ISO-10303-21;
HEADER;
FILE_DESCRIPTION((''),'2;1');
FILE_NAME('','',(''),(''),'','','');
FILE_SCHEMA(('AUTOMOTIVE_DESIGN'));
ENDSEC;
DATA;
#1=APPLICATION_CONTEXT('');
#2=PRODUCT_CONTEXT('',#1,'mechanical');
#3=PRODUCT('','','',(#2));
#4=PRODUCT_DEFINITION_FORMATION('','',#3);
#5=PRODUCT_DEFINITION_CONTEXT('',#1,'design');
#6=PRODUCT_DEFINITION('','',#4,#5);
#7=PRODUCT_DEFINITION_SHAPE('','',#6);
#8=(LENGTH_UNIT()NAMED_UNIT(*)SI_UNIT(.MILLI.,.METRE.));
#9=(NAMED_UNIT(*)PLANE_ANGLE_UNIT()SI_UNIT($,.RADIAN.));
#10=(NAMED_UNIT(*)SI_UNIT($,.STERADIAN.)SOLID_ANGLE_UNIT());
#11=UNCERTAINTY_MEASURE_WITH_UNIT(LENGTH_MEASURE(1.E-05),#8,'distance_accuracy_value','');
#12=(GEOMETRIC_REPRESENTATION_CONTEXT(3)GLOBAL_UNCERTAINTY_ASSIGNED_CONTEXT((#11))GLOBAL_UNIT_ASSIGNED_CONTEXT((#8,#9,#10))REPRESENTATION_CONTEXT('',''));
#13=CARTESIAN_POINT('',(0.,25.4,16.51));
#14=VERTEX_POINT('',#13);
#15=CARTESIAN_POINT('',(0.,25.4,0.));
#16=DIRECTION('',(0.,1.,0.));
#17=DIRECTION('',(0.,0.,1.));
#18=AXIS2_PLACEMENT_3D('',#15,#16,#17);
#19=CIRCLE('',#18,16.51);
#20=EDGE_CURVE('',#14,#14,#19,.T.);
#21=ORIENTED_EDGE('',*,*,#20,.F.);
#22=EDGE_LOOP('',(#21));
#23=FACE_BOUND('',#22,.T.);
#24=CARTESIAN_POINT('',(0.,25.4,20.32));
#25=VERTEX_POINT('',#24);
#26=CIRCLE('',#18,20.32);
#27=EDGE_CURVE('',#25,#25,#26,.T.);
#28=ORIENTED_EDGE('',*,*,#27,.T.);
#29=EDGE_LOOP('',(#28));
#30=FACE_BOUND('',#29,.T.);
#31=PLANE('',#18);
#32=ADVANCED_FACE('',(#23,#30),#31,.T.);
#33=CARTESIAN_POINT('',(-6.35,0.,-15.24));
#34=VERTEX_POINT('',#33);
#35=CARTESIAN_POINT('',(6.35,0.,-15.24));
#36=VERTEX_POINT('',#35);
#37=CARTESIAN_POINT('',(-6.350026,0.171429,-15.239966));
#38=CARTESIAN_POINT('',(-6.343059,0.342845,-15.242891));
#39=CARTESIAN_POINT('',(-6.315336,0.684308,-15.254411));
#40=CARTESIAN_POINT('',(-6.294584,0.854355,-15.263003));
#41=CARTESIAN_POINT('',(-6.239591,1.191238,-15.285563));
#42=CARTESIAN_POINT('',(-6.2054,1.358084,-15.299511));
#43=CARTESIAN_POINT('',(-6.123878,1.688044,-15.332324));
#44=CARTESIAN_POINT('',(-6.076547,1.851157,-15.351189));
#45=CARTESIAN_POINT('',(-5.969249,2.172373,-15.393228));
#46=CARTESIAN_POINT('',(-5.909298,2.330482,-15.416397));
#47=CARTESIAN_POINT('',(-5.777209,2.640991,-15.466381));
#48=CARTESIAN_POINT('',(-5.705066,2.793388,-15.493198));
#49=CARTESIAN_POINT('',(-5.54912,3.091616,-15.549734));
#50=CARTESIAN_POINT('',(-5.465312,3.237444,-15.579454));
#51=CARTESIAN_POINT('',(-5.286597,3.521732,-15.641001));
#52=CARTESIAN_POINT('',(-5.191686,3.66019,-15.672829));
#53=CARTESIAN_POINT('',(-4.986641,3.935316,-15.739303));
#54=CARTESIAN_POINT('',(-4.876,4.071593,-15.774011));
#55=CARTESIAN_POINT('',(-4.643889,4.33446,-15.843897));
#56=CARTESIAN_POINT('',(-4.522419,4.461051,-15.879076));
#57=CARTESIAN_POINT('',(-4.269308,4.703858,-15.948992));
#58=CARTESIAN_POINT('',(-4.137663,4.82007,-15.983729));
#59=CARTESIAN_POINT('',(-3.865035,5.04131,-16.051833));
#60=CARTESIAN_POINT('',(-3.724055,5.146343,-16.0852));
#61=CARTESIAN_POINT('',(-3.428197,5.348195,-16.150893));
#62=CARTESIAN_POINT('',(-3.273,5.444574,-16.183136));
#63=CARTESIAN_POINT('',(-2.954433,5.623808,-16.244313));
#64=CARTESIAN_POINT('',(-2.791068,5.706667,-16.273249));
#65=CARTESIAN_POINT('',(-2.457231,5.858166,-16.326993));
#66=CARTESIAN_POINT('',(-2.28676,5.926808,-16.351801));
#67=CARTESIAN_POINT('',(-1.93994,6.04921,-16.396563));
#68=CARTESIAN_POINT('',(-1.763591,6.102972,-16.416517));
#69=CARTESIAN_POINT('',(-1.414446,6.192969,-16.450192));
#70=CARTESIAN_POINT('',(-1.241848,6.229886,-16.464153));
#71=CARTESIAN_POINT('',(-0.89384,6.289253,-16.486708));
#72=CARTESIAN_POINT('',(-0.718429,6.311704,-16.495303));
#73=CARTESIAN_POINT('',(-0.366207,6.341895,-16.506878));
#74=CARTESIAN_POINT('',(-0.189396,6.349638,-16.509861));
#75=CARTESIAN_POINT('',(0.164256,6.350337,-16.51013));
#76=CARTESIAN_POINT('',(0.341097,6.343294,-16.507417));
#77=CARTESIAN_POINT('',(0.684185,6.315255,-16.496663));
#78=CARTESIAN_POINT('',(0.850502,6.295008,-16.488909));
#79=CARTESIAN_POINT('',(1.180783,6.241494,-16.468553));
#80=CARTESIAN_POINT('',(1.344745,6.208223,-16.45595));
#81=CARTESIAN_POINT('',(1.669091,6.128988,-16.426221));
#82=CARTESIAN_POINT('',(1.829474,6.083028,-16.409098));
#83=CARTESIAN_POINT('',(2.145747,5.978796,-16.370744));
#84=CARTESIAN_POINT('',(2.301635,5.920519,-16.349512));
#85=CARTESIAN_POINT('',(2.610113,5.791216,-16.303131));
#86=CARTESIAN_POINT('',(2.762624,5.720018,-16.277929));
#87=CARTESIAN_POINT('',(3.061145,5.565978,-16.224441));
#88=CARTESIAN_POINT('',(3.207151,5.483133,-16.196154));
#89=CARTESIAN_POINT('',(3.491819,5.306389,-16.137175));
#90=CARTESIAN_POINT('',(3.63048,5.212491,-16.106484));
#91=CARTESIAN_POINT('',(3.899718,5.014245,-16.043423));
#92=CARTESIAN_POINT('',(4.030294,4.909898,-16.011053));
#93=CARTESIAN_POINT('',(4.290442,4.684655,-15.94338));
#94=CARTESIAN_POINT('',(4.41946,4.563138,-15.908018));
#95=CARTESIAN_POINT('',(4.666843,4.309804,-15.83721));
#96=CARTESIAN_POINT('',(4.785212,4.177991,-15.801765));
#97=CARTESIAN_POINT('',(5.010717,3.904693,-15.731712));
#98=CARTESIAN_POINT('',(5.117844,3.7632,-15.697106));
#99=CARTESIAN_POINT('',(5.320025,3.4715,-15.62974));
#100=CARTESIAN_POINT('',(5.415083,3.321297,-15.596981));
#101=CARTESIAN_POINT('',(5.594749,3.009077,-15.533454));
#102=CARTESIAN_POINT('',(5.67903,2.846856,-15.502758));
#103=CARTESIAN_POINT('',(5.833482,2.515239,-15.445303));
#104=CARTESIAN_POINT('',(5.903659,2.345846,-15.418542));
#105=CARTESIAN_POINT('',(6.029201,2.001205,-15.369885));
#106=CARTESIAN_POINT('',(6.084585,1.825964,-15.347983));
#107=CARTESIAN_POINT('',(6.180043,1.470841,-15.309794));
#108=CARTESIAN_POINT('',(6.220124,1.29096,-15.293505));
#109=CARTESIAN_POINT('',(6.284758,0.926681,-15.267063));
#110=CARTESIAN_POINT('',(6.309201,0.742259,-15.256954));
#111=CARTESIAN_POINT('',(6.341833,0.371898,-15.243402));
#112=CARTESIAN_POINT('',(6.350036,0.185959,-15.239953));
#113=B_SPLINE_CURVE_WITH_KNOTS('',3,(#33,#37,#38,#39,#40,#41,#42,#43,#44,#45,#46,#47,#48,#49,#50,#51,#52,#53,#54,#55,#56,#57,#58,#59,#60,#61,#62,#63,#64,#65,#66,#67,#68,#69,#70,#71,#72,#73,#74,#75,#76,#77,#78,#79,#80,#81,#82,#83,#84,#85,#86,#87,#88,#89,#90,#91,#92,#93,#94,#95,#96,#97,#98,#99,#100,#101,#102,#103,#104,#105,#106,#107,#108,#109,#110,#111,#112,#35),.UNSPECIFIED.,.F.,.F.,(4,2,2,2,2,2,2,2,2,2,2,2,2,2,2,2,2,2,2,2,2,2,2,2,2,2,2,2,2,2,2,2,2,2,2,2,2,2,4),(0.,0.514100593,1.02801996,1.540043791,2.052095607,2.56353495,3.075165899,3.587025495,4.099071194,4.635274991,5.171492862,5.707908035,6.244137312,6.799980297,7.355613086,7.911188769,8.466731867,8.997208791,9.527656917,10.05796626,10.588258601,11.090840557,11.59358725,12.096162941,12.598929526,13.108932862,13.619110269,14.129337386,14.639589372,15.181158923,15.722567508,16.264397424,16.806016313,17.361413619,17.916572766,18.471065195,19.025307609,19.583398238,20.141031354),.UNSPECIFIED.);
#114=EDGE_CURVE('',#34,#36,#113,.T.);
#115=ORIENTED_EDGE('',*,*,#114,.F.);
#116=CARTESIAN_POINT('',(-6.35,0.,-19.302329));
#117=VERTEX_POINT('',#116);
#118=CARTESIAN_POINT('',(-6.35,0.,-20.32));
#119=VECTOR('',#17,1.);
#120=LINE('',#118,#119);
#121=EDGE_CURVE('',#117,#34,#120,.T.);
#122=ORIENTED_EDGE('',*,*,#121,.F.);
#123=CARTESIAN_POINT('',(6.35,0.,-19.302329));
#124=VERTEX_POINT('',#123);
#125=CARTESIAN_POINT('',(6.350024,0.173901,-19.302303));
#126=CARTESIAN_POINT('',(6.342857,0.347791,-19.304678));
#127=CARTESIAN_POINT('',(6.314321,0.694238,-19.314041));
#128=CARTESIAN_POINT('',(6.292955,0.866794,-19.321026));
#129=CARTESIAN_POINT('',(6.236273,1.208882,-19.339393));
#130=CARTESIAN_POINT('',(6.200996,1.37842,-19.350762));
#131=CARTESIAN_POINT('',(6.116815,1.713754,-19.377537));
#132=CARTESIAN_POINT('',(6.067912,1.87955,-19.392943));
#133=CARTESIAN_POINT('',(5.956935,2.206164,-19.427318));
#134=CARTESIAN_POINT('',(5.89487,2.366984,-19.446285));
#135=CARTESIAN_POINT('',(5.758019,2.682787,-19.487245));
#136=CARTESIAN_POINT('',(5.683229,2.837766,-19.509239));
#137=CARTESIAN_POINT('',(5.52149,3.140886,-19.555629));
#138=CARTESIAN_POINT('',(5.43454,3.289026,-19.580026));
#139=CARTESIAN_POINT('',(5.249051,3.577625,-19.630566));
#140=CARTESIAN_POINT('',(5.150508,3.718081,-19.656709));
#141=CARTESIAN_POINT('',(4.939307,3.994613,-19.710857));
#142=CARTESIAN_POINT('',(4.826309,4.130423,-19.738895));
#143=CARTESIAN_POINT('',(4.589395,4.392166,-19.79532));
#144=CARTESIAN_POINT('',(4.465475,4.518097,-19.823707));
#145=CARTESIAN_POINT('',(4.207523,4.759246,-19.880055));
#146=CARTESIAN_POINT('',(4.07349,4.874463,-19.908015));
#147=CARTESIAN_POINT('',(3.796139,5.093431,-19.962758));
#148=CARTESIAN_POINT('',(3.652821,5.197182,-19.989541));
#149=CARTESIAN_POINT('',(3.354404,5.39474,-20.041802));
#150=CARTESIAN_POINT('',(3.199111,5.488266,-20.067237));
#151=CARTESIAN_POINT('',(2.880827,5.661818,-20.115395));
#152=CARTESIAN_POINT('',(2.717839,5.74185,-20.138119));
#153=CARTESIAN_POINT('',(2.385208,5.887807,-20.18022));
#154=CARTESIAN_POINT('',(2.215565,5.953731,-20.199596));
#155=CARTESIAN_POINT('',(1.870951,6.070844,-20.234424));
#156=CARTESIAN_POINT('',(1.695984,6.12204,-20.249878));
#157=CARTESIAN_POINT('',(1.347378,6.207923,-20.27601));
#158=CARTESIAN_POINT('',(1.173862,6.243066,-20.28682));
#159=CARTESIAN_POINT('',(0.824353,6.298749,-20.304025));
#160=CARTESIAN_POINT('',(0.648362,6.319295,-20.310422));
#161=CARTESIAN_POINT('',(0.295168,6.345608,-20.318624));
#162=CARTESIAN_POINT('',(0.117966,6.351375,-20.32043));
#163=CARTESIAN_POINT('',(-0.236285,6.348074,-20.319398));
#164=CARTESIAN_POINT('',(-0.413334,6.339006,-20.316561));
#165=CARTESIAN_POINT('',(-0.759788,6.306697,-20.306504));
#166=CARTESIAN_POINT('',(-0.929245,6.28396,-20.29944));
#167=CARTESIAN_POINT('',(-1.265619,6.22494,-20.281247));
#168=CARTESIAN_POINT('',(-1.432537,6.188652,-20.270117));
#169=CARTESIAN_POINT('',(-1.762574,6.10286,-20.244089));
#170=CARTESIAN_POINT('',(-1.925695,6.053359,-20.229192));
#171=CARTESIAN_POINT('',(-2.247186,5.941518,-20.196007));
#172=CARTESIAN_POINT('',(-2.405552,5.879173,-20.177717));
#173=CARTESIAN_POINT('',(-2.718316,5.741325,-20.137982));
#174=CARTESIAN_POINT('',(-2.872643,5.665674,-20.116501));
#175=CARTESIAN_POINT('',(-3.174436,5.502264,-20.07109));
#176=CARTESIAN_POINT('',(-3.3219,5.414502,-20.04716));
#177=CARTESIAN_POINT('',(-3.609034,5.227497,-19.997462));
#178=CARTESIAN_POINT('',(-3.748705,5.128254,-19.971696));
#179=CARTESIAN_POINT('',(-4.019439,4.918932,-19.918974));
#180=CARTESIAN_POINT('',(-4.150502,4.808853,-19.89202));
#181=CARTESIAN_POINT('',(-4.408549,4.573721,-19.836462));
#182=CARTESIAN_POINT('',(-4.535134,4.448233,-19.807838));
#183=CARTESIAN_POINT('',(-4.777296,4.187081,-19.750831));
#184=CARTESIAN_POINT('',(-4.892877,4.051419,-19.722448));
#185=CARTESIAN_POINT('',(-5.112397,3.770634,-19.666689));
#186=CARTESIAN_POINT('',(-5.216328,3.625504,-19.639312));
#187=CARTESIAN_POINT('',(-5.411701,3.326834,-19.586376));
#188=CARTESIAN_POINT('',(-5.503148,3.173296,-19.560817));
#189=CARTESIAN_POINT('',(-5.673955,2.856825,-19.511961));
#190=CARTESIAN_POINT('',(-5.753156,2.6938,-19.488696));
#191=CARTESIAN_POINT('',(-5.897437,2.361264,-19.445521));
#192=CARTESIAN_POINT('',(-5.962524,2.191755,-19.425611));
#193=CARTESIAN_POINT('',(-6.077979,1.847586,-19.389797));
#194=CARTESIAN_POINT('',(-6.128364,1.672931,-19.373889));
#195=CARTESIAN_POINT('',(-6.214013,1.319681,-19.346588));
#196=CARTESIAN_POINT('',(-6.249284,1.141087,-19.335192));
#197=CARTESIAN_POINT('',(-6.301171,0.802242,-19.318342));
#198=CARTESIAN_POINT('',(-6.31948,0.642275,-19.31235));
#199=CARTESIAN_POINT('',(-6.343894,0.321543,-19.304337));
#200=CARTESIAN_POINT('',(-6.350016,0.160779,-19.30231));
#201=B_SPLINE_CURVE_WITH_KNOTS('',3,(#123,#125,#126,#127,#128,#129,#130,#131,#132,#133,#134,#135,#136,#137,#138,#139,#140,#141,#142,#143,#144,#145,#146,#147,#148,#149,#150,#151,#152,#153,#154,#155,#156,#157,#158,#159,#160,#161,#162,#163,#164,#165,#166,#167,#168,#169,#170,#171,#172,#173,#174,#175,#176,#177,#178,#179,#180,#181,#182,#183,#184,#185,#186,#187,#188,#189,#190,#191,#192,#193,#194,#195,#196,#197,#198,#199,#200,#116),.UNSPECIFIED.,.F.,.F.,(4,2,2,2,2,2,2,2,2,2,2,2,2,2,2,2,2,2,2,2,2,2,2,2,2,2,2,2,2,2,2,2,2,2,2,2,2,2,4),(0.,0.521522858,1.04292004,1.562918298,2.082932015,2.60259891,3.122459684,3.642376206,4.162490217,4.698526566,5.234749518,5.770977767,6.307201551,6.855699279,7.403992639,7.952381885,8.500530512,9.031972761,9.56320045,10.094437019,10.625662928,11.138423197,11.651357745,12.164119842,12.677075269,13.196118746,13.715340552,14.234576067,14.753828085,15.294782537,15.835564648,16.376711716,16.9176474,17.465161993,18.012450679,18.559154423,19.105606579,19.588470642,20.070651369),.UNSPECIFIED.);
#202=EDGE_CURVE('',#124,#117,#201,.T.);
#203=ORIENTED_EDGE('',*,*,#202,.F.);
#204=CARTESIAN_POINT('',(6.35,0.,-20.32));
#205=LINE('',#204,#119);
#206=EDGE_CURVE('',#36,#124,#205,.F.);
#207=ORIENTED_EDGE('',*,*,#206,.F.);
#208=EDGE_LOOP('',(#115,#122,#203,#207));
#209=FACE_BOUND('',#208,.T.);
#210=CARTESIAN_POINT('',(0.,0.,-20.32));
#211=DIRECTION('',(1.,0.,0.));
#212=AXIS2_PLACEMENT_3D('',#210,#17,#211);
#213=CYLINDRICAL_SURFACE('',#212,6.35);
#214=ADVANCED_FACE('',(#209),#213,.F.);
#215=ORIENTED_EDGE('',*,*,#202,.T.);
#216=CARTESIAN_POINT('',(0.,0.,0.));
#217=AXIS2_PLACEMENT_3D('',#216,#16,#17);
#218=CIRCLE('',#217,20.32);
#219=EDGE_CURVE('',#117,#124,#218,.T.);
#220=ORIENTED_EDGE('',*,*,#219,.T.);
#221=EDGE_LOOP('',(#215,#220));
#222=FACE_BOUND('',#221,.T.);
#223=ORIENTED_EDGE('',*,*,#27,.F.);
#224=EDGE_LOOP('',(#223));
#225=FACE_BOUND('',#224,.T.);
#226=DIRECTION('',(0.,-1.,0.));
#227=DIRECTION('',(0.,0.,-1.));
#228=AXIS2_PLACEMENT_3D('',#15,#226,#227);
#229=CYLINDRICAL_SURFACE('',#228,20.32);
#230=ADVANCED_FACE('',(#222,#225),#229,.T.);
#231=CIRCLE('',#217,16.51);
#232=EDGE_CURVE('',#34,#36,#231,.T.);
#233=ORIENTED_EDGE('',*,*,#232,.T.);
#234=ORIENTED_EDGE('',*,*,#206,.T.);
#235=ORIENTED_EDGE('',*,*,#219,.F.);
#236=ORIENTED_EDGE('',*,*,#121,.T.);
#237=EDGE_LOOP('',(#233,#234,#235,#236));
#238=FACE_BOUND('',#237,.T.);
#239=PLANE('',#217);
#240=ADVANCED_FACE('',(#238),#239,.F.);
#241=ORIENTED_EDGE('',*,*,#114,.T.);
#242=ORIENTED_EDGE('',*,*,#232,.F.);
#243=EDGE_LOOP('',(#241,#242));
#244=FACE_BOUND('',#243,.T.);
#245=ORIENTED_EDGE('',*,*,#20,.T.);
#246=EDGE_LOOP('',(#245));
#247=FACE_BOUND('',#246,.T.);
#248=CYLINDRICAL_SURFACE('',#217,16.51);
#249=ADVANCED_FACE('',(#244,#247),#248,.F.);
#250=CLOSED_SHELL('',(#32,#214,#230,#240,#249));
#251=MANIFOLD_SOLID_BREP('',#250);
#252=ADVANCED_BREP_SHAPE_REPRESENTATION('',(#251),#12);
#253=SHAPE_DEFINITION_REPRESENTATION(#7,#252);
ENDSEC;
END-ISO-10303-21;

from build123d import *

# Parameters (mm, degrees)
SKETCH1_R           = 20.32
BOSS_EXTRUDE1_DEPTH = 25.4
SKETCH2_R           = 16.51
CUT_EXTRUDE1_DEPTH  = 39.353158931
SKETCH3_R           = 6.35
CUT_EXTRUDE2_DEPTH  = 39.353158931


with BuildPart() as part:
    # Sketch1 → Boss-Extrude1 (new body)
    with BuildSketch(Plane(origin=(0, 0, 0), x_dir=(1, 0, 0), z_dir=(0, 1, 0))):
        with Locations(Location((0, 0, 0), (0, 0, 270))):
            Circle(SKETCH1_R)
    extrude(amount=BOSS_EXTRUDE1_DEPTH)

    # Sketch2 → Cut-Extrude1 (cut, through all)
    with BuildSketch(Plane(origin=(0, 25.4, 0), x_dir=(1, 0, 0), z_dir=(0, 1, 0))):
        with Locations(Location((0, 0, 0), (0, 0, 270))):
            Circle(SKETCH2_R)
    extrude(amount=-CUT_EXTRUDE1_DEPTH, mode=Mode.SUBTRACT)

    # Sketch3 → Cut-Extrude2 (cut, through all)
    with BuildSketch(Plane.XY):
        Circle(SKETCH3_R)
    extrude(amount=-CUT_EXTRUDE2_DEPTH, mode=Mode.SUBTRACT)


solid = part.part
